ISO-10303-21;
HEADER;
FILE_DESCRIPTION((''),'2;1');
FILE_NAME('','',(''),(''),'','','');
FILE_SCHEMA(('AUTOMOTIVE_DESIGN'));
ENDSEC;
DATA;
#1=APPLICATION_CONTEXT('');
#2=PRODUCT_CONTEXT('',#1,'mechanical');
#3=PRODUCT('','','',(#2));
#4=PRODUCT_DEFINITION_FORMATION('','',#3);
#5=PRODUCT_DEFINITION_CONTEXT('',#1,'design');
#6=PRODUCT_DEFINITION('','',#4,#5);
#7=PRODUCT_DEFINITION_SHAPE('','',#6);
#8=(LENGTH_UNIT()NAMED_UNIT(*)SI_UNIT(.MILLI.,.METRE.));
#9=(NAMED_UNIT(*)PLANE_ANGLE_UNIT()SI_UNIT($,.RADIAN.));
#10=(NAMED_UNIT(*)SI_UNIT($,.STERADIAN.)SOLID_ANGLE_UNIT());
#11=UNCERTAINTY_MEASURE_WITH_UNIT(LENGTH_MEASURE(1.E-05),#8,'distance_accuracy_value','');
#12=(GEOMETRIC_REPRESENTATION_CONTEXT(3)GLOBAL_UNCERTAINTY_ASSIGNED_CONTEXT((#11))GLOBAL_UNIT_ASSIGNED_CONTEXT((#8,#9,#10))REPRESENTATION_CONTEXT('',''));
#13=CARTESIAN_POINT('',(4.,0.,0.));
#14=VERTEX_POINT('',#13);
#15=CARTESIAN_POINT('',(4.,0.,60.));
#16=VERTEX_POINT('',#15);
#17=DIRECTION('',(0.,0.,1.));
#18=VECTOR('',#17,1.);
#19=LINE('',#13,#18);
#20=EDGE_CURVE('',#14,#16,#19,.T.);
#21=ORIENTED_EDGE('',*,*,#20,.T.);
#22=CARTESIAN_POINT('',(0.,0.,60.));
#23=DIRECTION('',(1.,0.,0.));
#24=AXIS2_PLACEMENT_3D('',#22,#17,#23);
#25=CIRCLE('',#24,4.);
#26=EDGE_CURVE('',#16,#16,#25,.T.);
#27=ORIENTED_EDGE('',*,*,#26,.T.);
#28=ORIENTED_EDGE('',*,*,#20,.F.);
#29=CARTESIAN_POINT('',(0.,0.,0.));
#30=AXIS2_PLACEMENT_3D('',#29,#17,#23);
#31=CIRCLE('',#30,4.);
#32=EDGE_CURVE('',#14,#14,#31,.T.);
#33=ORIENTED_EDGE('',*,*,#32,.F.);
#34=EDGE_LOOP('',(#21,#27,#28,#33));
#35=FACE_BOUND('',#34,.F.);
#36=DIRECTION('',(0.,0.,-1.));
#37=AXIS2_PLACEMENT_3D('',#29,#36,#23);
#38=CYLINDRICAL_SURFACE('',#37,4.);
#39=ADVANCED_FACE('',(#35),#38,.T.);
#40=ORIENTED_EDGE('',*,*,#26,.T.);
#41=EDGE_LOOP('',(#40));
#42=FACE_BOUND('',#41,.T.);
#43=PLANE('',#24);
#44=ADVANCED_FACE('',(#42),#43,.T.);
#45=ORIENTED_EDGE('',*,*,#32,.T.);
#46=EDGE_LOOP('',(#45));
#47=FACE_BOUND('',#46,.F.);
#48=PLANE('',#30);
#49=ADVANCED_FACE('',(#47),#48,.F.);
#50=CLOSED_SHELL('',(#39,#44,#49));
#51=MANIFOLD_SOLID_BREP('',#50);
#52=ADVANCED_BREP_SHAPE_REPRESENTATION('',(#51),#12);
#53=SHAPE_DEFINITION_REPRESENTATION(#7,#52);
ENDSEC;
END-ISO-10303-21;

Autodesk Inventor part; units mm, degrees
ref_plane "YZ Plane" through (0, 0, 0) normal (1, 0, 0) x (0, 1, 0)
ref_plane "XZ Plane" through (0, 0, 0) normal (0, 1, 0) x (-1, 0, 0)
ref_plane "XY Plane" through (0, 0, 0) normal (0, 0, 1) x (1, 0, 0)
sketch "Sketch1" plane through (0, 0, 0) normal (0, 0, 1) x (1, 0, 0)
  circle A0 centre (0, 0) radius 4
  dimension "d0" = 8
extrude "Extrusion1" add sketch "Sketch1" along normal blind 60
properties part number "8x60mm_Rod"
